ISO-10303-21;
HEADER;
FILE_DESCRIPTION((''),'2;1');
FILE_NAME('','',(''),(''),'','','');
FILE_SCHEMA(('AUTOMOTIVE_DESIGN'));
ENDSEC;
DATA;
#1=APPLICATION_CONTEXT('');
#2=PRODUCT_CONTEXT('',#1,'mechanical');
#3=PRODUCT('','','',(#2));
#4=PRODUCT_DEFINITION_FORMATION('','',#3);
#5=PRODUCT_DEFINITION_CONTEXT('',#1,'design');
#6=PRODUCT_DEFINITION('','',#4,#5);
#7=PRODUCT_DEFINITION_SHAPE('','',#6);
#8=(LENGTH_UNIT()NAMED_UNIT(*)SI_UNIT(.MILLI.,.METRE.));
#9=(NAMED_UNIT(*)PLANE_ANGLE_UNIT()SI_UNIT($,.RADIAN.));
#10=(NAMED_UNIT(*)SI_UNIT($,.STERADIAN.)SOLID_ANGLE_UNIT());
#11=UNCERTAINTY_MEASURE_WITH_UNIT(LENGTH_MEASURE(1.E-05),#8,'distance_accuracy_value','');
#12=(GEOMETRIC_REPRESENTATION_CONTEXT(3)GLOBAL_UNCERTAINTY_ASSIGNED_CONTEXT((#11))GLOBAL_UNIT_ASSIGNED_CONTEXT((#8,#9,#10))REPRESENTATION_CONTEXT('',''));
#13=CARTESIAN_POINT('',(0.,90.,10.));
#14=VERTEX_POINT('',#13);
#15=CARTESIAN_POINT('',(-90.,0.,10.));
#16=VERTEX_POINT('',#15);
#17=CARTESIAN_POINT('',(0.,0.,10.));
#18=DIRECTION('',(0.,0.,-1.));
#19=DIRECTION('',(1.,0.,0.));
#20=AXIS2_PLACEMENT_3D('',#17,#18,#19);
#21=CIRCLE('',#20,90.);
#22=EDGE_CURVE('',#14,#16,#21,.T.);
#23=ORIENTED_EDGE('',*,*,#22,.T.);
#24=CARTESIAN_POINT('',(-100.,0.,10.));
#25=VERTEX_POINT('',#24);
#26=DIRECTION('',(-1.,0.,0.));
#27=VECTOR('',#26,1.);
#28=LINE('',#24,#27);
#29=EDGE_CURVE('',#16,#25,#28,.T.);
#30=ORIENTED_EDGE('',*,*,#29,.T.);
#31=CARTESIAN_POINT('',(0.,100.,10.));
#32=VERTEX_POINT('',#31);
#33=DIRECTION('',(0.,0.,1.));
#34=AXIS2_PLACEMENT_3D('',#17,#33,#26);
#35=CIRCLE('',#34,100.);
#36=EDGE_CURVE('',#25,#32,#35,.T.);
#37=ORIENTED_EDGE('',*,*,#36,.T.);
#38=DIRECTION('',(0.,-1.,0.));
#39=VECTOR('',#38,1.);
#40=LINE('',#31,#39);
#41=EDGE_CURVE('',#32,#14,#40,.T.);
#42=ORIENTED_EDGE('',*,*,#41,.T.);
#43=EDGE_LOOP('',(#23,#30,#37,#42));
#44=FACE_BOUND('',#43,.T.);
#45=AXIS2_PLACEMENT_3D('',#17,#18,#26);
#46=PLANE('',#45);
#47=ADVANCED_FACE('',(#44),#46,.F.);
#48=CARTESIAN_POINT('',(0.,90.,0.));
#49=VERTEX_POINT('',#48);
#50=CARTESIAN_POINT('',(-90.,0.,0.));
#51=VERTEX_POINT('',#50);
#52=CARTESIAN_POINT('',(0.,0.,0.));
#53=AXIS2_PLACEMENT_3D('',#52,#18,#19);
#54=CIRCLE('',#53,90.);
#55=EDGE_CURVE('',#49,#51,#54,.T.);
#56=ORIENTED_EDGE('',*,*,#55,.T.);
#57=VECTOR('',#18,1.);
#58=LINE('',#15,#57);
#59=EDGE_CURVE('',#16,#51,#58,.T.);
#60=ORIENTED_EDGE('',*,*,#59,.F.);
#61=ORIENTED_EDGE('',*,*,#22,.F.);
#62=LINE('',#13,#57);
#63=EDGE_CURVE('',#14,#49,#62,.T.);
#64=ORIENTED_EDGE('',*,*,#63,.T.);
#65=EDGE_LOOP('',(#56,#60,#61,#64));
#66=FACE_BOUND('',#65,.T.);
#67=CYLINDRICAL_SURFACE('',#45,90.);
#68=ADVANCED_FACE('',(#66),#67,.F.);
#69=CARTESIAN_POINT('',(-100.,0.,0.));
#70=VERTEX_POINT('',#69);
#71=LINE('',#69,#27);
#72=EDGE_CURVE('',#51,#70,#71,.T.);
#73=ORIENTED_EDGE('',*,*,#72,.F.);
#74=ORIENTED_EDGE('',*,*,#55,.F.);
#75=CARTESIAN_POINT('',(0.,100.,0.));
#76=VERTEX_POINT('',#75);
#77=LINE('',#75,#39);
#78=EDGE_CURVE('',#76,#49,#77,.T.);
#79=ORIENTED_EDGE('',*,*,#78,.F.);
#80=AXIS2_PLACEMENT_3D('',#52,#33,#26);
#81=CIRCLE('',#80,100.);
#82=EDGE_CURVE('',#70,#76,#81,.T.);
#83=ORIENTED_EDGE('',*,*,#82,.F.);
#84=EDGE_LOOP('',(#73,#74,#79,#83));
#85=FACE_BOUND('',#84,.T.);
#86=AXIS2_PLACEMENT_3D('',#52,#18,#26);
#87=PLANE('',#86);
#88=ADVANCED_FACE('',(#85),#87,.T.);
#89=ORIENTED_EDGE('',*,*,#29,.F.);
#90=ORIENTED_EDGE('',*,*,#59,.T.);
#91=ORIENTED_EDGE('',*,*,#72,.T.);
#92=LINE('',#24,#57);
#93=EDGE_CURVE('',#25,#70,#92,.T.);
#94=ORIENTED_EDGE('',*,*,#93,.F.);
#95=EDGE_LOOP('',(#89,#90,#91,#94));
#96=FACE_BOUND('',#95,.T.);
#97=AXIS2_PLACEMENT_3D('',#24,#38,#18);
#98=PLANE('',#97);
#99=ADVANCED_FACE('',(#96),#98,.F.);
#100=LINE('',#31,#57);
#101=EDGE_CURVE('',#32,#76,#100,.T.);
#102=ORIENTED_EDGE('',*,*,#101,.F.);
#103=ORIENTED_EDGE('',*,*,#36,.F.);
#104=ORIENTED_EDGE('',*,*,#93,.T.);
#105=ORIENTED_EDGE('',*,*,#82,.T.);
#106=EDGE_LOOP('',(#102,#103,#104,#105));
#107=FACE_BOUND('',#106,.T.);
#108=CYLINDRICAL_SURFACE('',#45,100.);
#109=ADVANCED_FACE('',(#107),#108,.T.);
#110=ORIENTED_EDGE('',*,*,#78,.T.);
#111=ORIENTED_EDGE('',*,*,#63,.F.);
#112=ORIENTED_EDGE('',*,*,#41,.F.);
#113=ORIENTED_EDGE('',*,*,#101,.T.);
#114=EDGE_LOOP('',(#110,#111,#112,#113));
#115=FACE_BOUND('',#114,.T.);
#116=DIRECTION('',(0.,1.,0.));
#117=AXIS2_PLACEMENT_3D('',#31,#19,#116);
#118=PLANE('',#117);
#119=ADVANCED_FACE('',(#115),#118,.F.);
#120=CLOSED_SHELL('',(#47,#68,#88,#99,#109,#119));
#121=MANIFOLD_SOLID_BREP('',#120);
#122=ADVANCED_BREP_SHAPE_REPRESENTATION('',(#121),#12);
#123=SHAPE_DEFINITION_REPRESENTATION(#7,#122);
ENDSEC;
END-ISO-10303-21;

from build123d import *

# Parameters (mm, degrees)
EXTRUDE_1_DEPTH = 10


with BuildPart() as part:
    # 草图1 → 凸台-拉伸1 (new body)
    with BuildSketch(Plane.XY):
        with BuildLine():
            Line((-100, 0), (-90, 0))
            ThreePointArc((-90, 0), (63.639610307, -63.639610307), (0, 90))
            Line((0, 90), (0, 100))
            ThreePointArc((0, 100), (70.710678119, -70.710678119), (-100, 0))
        make_face()
    extrude(amount=EXTRUDE_1_DEPTH)


solid = part.part
